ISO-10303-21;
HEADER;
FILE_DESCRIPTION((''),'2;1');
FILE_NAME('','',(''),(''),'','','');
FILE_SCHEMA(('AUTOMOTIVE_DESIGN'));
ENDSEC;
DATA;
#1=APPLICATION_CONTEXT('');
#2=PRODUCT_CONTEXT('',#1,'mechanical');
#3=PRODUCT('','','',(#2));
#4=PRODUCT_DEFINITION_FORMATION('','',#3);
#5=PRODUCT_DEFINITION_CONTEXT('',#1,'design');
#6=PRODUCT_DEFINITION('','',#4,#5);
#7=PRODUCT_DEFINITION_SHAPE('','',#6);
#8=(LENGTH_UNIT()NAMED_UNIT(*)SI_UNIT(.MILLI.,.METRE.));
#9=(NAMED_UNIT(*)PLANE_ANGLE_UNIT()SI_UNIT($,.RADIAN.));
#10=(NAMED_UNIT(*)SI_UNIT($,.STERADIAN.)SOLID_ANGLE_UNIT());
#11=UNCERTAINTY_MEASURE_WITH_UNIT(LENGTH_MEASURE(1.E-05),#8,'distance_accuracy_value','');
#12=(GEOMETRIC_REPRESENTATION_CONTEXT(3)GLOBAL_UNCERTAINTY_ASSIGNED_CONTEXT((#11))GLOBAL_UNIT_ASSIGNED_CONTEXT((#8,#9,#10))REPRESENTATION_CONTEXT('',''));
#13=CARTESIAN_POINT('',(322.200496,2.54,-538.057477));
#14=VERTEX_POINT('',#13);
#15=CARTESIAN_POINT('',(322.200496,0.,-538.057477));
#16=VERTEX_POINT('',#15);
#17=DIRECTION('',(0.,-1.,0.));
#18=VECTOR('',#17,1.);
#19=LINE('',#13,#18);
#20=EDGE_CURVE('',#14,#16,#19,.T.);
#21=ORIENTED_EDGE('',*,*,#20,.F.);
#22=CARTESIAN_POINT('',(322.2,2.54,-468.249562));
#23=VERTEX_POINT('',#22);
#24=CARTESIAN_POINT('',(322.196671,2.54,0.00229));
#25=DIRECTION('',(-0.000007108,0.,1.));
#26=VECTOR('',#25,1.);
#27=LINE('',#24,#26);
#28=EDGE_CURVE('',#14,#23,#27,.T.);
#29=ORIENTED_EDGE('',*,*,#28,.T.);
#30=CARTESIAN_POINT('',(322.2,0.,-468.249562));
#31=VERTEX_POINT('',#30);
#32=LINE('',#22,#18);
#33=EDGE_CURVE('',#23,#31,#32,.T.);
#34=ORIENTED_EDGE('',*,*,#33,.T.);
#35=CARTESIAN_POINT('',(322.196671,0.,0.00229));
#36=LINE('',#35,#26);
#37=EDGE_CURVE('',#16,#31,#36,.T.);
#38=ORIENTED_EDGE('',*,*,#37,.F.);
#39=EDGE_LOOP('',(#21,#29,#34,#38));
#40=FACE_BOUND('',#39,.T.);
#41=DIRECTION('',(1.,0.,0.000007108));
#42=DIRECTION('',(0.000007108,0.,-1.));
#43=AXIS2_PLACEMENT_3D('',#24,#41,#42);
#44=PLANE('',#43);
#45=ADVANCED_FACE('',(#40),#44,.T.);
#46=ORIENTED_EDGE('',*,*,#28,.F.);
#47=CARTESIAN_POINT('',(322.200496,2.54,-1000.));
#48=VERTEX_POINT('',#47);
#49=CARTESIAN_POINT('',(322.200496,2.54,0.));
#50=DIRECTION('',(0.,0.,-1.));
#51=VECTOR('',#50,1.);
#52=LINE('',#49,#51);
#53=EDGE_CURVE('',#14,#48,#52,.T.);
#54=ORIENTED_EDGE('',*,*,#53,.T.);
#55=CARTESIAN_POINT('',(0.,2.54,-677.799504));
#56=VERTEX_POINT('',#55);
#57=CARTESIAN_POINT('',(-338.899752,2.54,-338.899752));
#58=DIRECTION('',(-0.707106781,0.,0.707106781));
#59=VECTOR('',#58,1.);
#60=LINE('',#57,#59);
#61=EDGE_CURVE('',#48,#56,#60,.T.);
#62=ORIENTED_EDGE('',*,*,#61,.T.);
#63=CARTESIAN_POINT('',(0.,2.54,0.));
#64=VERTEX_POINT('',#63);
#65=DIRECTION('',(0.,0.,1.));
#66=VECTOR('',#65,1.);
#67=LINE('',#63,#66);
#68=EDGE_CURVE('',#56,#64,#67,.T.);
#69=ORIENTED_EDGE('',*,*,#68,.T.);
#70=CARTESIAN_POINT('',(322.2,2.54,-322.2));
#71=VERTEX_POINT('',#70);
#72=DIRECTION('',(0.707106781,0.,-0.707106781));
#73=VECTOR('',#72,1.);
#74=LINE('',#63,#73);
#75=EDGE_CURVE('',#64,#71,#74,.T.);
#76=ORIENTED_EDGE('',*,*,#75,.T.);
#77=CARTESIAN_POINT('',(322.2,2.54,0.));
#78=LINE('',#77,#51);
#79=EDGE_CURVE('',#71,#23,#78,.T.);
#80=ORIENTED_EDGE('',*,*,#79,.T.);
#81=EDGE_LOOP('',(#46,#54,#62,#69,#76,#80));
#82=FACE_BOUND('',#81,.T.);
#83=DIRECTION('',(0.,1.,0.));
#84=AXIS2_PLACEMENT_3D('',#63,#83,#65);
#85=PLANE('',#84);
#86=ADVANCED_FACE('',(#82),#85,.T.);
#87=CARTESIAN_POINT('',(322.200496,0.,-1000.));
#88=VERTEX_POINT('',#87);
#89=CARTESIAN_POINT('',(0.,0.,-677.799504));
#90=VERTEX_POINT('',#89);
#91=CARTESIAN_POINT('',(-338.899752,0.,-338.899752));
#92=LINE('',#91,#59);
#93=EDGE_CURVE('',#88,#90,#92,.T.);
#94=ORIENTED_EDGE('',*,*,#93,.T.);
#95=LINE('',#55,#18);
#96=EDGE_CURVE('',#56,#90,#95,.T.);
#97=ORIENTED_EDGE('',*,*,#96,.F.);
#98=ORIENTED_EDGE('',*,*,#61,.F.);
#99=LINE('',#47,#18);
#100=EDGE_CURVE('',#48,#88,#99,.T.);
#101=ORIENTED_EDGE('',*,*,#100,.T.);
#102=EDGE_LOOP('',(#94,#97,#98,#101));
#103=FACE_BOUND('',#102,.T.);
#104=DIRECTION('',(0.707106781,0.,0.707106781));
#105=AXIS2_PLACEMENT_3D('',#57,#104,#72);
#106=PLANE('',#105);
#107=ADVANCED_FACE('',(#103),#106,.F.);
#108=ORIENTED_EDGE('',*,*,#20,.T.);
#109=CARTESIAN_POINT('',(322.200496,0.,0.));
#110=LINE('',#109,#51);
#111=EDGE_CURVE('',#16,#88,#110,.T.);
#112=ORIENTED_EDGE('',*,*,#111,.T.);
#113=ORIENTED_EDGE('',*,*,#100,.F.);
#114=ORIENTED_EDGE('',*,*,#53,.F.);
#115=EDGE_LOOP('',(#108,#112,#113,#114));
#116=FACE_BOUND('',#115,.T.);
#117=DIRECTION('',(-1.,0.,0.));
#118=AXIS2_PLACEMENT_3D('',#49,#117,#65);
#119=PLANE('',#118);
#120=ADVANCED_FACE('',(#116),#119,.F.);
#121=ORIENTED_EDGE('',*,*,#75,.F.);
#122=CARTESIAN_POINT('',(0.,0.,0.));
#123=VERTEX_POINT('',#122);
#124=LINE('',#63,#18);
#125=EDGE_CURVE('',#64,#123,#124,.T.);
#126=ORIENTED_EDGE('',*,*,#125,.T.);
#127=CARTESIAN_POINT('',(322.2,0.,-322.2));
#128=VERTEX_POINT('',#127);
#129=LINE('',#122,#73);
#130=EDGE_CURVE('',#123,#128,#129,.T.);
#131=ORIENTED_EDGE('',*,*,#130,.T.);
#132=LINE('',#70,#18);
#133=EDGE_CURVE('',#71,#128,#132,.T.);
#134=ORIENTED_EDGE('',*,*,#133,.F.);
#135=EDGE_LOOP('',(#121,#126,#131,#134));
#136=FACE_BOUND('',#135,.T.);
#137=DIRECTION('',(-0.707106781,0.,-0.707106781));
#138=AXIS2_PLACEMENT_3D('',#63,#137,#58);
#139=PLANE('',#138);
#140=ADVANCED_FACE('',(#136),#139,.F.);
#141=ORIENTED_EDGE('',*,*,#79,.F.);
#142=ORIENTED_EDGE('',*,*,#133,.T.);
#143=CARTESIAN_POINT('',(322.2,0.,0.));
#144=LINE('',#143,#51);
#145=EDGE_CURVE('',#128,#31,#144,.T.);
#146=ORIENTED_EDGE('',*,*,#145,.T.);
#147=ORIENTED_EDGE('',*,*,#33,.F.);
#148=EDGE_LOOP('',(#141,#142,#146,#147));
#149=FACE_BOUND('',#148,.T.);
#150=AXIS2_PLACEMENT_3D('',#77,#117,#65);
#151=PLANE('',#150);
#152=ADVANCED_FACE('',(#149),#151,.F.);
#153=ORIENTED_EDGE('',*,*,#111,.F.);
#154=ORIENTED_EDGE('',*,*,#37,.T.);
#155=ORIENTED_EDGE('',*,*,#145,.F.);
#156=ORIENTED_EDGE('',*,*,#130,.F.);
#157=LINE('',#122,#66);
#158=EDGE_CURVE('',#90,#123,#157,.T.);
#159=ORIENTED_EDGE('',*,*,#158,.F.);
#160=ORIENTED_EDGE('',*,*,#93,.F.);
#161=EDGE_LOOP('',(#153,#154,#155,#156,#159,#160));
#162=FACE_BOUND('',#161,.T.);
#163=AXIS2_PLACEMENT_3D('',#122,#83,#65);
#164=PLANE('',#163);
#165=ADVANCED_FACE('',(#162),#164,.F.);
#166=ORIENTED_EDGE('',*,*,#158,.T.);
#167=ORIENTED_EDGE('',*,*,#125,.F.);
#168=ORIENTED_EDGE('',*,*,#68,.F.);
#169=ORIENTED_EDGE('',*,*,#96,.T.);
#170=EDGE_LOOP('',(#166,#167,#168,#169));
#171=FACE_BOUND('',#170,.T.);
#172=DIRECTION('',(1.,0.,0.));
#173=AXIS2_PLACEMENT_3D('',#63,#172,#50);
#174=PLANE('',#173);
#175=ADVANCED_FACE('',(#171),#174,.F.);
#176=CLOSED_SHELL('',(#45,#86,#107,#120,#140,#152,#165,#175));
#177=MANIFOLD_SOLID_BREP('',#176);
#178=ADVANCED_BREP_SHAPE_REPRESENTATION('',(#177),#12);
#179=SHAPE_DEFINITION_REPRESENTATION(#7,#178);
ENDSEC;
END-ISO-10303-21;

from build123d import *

# Parameters (mm, degrees)
BOSS_EXTRUDE1_DEPTH = 2.54


with BuildPart() as part:
    # Sketch1 → Boss-Extrude1 (new body)
    with BuildSketch(Plane(origin=(0, 0, 0), x_dir=(1, 0, 0), z_dir=(0, 1, 0))):
        Polygon((322.200496223, 538.057476738), (322.200496223, 1000), (0, 677.799503777), (0, 0), (322.2, 322.2), (322.2, 468.24956238), align=None)
    extrude(amount=BOSS_EXTRUDE1_DEPTH)


solid = part.part
